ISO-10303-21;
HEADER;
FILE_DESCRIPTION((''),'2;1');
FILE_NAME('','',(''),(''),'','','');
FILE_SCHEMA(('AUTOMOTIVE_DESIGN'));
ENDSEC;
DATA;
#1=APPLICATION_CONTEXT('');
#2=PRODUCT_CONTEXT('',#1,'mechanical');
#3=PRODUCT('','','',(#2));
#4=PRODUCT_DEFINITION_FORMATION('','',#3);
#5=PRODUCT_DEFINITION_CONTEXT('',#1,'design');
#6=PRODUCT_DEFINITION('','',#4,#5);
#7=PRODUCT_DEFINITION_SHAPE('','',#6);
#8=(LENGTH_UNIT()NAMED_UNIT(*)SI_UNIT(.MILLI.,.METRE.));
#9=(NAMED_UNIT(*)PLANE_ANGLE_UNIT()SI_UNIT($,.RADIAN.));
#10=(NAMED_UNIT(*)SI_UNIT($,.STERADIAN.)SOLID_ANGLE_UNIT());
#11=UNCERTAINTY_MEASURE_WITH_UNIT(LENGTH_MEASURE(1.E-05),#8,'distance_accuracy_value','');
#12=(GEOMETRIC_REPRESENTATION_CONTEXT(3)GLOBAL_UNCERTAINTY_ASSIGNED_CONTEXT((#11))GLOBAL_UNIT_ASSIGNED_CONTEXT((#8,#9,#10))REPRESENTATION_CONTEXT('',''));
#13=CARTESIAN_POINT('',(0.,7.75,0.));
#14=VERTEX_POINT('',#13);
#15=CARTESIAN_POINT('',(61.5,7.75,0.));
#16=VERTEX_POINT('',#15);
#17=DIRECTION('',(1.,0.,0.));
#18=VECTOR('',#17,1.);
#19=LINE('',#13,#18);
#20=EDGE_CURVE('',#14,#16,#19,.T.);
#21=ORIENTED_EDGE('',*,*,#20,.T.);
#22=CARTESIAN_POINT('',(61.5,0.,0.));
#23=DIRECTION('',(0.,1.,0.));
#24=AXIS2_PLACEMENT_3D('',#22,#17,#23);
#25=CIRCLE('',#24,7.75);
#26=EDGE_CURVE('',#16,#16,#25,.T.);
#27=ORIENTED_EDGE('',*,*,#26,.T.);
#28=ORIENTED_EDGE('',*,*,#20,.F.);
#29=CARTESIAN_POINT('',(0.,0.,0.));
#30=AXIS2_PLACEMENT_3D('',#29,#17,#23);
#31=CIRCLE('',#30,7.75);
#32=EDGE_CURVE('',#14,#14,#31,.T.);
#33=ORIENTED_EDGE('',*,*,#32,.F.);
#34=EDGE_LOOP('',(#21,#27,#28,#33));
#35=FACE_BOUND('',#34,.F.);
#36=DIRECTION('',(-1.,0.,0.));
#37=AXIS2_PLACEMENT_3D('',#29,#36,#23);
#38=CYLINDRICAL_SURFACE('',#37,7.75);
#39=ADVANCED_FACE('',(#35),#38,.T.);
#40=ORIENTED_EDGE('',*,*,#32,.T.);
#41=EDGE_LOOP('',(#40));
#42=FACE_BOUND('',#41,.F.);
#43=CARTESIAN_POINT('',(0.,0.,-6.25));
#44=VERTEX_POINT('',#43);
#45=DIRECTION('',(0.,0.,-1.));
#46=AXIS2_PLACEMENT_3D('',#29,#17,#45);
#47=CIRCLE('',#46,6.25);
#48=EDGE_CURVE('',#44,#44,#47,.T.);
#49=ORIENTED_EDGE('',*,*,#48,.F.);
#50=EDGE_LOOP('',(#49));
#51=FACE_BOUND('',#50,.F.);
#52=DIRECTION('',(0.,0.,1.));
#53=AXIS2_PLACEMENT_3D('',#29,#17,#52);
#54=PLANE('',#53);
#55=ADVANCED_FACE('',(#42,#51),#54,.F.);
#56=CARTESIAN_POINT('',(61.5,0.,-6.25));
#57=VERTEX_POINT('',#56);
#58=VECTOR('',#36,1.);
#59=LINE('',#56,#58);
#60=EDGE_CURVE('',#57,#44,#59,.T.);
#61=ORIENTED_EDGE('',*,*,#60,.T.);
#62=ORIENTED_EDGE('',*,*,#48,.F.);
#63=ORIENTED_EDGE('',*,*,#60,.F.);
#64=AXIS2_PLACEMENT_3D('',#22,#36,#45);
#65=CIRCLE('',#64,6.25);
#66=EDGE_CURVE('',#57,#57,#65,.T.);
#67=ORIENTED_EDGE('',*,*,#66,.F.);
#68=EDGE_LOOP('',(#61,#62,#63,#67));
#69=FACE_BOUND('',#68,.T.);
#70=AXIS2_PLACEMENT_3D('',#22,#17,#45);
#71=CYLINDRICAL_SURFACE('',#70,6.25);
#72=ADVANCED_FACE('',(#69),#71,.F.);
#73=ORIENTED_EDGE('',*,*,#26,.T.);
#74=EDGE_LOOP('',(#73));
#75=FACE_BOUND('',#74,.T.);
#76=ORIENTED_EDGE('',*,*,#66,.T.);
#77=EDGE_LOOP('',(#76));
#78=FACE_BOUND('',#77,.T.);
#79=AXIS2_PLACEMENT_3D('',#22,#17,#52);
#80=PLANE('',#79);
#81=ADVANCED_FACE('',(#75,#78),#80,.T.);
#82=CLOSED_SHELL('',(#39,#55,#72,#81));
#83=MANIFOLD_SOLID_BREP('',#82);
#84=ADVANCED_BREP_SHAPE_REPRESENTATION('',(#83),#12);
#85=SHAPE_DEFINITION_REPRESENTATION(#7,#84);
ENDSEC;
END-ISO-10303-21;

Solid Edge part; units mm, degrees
sketch "Sketch1" plane through (0, 0, 0) normal (1, 0, 0) x (0, 1, 0)
  circle A0 centre (0, 0) radius 7.75
extrude "Protrusion1" add sketch "Sketch1" along normal blind 61.5
hole "Hole_1" at (61.5, 0, 0) direction (-1, 0, 0) diameter 12.5 end up to next
